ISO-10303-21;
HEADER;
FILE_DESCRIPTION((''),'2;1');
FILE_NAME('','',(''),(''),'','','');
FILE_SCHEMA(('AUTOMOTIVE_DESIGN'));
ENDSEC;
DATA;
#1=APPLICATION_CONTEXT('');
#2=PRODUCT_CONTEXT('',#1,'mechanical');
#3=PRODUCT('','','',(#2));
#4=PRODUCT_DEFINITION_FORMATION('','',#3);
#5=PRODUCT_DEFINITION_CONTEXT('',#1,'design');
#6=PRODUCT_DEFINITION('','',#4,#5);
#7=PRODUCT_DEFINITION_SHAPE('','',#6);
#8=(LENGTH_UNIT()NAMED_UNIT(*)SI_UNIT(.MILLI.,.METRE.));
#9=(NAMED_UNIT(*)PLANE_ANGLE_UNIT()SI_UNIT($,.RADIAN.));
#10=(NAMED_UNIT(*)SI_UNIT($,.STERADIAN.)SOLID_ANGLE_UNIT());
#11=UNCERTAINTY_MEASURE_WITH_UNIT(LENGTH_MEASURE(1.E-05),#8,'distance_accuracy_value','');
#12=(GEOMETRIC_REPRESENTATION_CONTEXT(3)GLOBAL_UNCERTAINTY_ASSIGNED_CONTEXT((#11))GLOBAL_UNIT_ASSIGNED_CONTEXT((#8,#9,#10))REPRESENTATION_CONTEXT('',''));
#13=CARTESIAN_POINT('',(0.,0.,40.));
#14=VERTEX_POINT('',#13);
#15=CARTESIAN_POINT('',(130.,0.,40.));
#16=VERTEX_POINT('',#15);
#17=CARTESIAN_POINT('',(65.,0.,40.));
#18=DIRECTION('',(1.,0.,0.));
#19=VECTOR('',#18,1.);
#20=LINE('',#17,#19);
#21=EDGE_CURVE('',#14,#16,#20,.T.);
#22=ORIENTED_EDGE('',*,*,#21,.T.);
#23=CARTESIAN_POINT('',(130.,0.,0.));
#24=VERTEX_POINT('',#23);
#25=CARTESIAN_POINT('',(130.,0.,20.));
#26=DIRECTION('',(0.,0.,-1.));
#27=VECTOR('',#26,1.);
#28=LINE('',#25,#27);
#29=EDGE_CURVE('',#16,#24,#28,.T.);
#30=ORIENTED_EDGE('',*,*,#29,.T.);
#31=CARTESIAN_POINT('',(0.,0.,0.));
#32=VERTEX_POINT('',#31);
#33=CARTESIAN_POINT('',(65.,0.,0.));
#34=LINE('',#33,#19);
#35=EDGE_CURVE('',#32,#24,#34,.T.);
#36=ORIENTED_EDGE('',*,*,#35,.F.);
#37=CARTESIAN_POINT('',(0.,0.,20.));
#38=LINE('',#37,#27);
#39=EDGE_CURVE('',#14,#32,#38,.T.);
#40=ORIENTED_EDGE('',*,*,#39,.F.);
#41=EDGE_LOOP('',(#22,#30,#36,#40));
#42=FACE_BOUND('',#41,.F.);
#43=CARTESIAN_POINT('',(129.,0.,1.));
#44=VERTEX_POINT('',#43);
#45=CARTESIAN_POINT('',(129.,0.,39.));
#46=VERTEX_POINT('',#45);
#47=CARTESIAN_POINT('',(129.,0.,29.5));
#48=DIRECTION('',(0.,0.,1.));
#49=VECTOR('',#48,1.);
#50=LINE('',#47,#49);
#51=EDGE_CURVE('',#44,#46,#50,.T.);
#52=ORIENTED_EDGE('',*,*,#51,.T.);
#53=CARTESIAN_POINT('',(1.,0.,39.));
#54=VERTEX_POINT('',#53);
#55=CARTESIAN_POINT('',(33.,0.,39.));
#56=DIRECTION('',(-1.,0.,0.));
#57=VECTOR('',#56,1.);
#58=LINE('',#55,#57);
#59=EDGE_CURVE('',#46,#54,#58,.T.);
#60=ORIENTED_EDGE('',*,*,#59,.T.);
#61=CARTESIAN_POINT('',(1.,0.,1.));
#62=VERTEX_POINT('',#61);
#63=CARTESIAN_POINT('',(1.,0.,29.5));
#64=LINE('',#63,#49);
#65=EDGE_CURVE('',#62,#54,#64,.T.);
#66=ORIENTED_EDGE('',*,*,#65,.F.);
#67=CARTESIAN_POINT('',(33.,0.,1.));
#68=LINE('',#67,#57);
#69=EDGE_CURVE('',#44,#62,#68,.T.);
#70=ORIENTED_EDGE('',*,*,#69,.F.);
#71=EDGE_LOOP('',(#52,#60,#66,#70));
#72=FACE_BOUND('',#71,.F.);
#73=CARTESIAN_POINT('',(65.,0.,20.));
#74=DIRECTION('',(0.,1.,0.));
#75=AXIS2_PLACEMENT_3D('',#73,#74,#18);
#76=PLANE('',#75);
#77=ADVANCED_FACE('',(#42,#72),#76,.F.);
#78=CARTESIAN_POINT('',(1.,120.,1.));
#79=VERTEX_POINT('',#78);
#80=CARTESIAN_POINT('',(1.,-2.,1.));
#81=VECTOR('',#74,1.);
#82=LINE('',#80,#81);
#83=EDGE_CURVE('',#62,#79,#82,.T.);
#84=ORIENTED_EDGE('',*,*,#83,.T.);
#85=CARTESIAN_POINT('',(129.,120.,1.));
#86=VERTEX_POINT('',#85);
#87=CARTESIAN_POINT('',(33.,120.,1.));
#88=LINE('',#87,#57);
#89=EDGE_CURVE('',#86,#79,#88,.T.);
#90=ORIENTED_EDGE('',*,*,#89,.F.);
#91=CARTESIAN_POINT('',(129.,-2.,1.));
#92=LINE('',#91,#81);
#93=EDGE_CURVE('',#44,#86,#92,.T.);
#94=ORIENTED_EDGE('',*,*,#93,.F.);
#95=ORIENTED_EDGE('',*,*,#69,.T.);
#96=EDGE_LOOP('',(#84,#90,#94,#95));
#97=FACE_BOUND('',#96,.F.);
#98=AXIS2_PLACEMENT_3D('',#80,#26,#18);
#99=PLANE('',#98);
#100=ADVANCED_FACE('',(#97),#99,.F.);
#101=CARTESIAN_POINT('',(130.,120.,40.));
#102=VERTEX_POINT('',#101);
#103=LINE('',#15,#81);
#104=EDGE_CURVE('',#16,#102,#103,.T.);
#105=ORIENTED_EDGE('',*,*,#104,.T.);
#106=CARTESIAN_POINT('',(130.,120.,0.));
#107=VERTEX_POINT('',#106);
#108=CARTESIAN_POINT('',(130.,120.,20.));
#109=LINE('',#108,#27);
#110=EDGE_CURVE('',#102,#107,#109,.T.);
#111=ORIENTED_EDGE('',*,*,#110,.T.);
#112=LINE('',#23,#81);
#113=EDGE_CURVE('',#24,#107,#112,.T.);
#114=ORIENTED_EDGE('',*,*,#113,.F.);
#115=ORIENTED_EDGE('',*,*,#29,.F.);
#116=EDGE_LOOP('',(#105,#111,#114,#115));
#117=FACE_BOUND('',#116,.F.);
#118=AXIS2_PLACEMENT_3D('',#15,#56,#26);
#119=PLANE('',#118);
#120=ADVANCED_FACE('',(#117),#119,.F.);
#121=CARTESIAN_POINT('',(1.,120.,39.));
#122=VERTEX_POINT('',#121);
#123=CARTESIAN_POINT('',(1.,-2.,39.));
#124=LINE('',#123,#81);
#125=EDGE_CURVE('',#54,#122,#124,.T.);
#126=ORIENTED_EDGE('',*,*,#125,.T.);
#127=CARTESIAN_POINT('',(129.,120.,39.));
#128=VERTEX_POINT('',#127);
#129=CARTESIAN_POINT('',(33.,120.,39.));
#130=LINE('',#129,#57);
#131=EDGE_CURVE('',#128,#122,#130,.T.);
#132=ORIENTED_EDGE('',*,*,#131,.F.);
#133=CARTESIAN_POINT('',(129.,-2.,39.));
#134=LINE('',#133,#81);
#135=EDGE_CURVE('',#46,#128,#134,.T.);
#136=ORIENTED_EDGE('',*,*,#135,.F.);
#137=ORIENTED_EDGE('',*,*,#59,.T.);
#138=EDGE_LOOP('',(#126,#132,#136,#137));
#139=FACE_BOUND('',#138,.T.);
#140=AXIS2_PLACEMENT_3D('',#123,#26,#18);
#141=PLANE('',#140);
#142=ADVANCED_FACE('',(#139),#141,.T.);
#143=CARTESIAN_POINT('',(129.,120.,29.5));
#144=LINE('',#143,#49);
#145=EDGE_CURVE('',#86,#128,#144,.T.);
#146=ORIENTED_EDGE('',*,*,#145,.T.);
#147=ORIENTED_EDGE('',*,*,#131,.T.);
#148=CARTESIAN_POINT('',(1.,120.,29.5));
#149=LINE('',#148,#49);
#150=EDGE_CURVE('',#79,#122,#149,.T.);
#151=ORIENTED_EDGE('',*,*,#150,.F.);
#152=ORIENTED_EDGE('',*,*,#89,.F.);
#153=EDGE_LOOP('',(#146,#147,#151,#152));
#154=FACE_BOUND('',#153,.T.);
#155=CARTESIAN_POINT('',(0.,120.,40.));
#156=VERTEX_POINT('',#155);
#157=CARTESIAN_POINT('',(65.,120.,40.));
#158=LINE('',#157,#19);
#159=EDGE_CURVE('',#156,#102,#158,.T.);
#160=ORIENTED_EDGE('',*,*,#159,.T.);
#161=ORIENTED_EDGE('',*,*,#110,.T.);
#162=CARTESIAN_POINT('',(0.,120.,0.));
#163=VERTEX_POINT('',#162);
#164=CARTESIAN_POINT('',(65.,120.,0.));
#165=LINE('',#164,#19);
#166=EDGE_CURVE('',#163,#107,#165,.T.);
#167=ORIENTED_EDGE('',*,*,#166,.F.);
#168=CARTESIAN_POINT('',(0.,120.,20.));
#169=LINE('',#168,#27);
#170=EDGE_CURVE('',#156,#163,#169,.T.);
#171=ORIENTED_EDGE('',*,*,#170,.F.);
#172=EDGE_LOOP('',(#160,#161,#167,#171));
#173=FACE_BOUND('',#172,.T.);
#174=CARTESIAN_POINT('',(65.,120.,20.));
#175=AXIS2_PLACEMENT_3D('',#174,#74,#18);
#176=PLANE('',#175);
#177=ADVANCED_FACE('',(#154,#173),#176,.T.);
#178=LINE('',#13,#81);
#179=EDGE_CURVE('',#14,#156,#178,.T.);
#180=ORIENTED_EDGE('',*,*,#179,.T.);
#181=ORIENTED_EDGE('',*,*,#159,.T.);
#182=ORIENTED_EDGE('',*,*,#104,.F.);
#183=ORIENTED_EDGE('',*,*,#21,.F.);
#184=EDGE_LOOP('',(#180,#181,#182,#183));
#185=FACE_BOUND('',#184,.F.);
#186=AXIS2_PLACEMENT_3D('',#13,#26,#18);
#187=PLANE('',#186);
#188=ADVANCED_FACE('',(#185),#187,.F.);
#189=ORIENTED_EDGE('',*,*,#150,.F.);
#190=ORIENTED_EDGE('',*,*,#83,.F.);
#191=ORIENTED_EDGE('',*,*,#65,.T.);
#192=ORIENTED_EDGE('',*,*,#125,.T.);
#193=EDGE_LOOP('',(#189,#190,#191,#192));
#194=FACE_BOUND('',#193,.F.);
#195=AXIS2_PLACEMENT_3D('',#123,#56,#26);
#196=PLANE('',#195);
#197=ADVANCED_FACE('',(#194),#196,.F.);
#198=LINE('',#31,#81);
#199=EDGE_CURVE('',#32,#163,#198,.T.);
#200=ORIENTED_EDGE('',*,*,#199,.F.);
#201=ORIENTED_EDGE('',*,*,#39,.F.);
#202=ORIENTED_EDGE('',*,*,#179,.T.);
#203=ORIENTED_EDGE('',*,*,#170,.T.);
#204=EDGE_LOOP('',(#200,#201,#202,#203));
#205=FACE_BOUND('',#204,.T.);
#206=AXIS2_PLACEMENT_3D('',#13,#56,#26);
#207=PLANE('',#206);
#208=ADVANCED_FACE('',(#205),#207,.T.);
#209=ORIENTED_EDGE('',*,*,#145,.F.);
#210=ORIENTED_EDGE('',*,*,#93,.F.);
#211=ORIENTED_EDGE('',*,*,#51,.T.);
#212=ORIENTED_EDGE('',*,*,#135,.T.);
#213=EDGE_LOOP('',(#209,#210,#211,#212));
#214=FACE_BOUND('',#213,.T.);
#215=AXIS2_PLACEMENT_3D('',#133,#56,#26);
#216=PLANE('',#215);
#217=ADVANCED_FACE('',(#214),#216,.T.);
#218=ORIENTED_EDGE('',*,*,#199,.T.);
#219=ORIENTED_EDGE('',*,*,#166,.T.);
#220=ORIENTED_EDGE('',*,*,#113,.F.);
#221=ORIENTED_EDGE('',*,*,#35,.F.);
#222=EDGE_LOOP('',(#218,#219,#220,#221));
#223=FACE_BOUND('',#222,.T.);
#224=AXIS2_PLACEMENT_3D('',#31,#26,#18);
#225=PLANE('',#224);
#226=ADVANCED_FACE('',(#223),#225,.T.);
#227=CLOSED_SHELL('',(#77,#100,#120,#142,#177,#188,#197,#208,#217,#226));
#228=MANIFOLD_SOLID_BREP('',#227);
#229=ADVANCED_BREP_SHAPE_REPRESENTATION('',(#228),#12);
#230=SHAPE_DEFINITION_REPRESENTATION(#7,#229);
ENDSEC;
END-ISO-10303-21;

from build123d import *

# Parameters (mm, degrees)
RECTANGLE001_W   = 128
RECTANGLE001_H   = 38
EXTRUDE001_DEPTH = 124
RECTANGLE_W      = 130
RECTANGLE_H      = 40
EXTRUDE_DEPTH    = 120


with BuildPart() as extrude001:
    # Rectangle001 → Extrude001 (new body)
    with BuildSketch(Plane(origin=(65, -2, 20), x_dir=(1, 0, 0), z_dir=(0, 1, 0))):
        Rectangle(RECTANGLE001_W, RECTANGLE001_H)
    extrude(amount=EXTRUDE001_DEPTH)


with BuildPart() as cut:
    # Rectangle → Extrude (new body)
    with BuildSketch(Plane(origin=(65, 0, 20), x_dir=(1, 0, 0), z_dir=(0, 1, 0))):
        Rectangle(RECTANGLE_W, RECTANGLE_H)
    extrude(amount=EXTRUDE_DEPTH)

    # Cut: cut Extrude001
    add(extrude001.part, mode=Mode.SUBTRACT)


solid = cut.part
